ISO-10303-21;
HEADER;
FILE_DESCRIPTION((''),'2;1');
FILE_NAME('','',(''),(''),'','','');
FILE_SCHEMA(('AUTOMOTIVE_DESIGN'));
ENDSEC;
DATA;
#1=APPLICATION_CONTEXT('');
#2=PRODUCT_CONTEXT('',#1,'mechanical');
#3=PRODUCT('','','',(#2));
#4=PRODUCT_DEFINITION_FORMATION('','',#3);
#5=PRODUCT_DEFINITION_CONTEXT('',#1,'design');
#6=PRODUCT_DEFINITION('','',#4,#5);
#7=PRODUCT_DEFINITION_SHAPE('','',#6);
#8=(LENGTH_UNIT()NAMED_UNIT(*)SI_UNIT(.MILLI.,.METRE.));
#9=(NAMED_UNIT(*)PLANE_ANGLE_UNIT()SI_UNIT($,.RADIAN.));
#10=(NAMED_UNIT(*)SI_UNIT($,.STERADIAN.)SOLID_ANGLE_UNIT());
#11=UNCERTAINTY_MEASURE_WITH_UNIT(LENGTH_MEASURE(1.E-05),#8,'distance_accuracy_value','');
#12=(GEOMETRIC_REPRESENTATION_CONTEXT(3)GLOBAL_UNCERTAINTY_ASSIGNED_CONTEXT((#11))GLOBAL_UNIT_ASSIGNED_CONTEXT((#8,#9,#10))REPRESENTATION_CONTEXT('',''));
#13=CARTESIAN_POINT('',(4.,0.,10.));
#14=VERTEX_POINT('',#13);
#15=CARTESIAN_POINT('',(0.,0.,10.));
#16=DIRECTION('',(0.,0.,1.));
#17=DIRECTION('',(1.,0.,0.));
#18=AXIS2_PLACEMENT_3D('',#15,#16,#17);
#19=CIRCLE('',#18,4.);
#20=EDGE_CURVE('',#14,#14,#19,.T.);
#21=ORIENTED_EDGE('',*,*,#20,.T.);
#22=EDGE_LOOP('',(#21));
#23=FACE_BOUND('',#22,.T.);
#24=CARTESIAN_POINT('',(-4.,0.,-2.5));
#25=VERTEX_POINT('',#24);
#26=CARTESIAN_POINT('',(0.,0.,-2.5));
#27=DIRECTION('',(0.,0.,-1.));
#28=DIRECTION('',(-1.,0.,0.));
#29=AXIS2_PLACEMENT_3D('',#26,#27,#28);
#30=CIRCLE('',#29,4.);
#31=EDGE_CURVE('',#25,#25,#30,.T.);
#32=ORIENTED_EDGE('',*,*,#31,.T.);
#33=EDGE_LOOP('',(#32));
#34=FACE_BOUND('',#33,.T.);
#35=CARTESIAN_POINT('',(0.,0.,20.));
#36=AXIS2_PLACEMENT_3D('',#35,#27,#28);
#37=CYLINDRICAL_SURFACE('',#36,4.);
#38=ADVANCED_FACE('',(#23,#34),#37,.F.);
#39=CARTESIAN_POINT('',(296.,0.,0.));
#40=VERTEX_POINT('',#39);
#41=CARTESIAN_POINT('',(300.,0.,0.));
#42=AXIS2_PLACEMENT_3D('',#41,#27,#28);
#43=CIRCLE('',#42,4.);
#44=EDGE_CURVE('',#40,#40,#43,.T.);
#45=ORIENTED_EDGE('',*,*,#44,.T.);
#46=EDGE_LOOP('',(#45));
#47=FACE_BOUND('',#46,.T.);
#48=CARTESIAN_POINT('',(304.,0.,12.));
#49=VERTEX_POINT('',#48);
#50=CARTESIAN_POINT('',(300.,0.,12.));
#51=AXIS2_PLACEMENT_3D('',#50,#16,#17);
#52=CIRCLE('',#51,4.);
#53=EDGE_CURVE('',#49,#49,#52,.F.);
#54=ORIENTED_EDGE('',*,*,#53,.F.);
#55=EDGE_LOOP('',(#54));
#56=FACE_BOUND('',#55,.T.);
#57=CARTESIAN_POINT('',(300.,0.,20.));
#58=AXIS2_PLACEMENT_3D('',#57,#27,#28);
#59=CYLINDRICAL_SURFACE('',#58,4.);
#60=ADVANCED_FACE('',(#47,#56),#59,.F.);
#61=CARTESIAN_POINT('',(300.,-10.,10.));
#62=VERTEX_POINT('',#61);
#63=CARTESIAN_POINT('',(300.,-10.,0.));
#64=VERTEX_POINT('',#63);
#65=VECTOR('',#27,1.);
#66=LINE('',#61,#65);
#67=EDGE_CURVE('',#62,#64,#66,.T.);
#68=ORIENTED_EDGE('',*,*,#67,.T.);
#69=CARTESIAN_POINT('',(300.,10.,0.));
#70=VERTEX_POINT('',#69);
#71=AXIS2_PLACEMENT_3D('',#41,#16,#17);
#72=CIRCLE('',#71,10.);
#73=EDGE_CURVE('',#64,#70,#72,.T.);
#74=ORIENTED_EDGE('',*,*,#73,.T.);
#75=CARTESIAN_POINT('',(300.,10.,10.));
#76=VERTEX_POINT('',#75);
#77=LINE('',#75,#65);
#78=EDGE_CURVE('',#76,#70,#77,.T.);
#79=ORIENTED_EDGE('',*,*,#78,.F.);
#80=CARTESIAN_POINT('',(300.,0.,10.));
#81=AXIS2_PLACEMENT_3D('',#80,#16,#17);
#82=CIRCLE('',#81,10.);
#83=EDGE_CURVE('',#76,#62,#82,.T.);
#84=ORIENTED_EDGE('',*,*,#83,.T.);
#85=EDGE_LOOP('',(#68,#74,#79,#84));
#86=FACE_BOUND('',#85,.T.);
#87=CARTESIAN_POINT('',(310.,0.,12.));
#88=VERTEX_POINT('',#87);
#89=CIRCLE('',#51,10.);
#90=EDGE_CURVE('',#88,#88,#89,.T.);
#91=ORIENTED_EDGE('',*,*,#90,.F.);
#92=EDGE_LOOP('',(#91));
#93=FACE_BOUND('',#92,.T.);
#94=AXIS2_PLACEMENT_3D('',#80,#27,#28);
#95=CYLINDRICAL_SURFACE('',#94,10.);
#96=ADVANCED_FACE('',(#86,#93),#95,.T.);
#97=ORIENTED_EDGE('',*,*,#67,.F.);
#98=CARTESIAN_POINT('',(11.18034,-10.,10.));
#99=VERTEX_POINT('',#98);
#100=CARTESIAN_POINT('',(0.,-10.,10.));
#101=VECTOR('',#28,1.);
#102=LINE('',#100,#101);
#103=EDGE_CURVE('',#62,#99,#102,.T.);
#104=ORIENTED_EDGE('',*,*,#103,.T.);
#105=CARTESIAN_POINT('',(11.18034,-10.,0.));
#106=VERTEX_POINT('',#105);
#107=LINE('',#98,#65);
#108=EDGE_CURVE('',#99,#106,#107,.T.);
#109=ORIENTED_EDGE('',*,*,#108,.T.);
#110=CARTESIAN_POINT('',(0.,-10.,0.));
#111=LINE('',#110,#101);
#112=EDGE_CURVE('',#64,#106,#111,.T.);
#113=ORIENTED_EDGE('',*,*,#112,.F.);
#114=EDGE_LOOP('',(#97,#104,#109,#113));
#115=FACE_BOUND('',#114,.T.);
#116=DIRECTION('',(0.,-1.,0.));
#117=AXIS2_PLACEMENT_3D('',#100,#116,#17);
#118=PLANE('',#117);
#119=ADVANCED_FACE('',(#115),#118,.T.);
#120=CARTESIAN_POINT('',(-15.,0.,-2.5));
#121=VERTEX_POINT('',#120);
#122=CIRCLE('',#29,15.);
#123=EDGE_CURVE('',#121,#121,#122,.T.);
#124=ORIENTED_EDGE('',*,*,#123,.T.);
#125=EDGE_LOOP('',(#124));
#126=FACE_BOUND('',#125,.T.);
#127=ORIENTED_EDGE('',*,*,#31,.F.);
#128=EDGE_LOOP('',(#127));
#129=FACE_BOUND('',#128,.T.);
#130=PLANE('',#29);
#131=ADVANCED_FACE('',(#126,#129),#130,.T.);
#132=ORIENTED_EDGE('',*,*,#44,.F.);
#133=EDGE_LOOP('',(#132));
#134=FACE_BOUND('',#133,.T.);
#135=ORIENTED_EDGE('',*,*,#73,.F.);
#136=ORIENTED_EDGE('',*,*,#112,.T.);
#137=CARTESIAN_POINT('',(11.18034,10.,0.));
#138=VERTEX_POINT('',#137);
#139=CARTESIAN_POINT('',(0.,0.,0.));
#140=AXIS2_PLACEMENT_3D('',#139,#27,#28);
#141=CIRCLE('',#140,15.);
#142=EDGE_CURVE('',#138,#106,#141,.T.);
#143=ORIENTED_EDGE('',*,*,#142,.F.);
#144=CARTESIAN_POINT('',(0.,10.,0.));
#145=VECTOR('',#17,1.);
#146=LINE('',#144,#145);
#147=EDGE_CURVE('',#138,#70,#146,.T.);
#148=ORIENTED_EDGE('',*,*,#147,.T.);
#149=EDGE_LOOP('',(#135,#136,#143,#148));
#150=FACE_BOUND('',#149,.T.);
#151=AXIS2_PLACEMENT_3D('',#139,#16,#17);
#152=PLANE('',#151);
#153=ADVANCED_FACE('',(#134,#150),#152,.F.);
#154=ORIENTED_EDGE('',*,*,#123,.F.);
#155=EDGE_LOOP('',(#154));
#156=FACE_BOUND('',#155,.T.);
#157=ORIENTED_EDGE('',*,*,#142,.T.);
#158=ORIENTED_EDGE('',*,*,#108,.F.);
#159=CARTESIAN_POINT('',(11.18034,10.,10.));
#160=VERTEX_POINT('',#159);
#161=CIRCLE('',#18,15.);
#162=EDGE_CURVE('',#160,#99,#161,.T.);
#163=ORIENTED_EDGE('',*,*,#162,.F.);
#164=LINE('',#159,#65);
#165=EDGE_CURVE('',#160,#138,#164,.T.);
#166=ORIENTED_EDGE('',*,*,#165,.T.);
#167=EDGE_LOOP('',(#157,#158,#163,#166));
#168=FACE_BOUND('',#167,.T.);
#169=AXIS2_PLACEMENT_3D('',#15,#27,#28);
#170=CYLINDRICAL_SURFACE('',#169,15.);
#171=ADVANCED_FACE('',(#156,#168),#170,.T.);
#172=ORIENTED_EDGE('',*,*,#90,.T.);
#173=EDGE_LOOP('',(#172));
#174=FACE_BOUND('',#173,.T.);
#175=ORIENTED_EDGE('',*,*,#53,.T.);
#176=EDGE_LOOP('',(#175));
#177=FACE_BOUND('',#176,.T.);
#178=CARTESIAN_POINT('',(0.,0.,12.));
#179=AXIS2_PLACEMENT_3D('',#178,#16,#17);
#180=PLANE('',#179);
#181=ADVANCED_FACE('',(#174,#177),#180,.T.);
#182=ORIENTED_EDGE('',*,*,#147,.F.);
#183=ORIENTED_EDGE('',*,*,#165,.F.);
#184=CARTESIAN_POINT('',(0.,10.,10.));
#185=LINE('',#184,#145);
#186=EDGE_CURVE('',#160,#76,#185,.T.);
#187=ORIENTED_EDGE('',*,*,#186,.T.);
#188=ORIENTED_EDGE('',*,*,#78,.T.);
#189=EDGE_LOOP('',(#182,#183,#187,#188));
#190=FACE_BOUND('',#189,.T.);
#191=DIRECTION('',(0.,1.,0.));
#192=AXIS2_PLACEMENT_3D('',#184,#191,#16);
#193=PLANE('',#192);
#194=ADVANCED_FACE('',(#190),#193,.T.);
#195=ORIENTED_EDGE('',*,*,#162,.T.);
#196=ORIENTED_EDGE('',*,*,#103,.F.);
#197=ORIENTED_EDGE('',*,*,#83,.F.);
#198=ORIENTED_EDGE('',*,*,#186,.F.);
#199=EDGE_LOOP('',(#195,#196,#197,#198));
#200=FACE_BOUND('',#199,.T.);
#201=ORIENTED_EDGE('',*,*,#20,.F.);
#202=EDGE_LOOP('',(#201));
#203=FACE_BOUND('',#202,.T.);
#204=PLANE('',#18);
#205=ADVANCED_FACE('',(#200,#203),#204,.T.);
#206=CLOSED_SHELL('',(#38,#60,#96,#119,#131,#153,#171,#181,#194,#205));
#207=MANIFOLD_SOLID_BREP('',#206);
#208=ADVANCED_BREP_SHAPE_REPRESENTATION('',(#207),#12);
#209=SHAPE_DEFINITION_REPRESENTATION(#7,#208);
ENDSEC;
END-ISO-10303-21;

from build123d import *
from build123d.topology import SkipClean

# Parameters (mm, degrees)
SKETCH1_R             = 15
BOSS_EXTRUDE1_DEPTH   = 10
SKETCH1_R_2           = 10
BOSS_EXTRUDE1_2_DEPTH = 10
BOSS_EXTRUDE3_DEPTH   = 10
SKETCH13_R            = 4
CUT_EXTRUDE1_DEPTH    = 20
BOSS_EXTRUDE7_START   = 2.5
SKETCH14_R            = 15
SKETCH14_R_2          = 4
BOSS_EXTRUDE7_DEPTH   = 2.5
SKETCH15_R            = 4
BOSS_EXTRUDE8_DEPTH   = 2


with BuildPart() as part:
    # Sketch1 → Boss-Extrude1 (new body)
    with BuildSketch(Plane.XY):
        Circle(SKETCH1_R)
    extrude(amount=BOSS_EXTRUDE1_DEPTH)



with BuildPart() as body_2:
    # Sketch1 → Boss-Extrude1 2 (new body)
    with BuildSketch(Plane.XY):
        with Locations((300, 0)):
            Circle(SKETCH1_R_2)
    extrude(amount=BOSS_EXTRUDE1_2_DEPTH)


with BuildPart() as part_1:
    add(part.part)

    add(body_2.part)  # Boss-Extrude3 merges body 2
    # Sketch5 → Boss-Extrude3 (add)
    with BuildSketch(Plane.XY):
        with BuildLine():
            Line((300, 10), (11.180339887, 10))
            ThreePointArc((11.180339887, 10), (14.012585384, 5.352331347), (15, 0))
            ThreePointArc((15, 0), (14.012585384, -5.352331347), (11.180339887, -10))
            Line((11.180339887, -10), (300, -10))
            ThreePointArc((300, -10), (290, 0), (300, 10))
        make_face()
    extrude(amount=BOSS_EXTRUDE3_DEPTH)

    # Sketch13 → Cut-Extrude1 (cut)
    with BuildSketch(Plane(origin=(0, 0, 0), x_dir=(-1, 0, 0), z_dir=(0, 0, -1))):
        with Locations((-300, 0)):
            Circle(SKETCH13_R)
        Circle(SKETCH13_R)
    extrude(amount=-CUT_EXTRUDE1_DEPTH, mode=Mode.SUBTRACT)

    # Sketch14 → Boss-Extrude7 (add)
    with BuildSketch(Plane(origin=(0, 0, 0), x_dir=(-1, 0, 0), z_dir=(0, 0, -1)).offset(BOSS_EXTRUDE7_START)):
        Circle(SKETCH14_R)
        Circle(SKETCH14_R_2, mode=Mode.SUBTRACT)
    extrude(amount=-BOSS_EXTRUDE7_DEPTH)

    # Sketch15 → Boss-Extrude8 (add)
    with SkipClean():  # the faces are left unmerged after this step: merging them gives an invalid solid
        with BuildSketch(Plane.XY.offset(10)):
            with BuildLine():
                ThreePointArc((300, 10), (290, 0), (300, -10))
                ThreePointArc((300, -10), (307.071067812, -7.071067812), (310, 0))
                ThreePointArc((310, 0), (307.071067812, 7.071067812), (300, 10))
            make_face()
            with Locations((300, 0)):
                Circle(SKETCH15_R, mode=Mode.SUBTRACT)
        extrude(amount=BOSS_EXTRUDE8_DEPTH)


solid = part_1.part
